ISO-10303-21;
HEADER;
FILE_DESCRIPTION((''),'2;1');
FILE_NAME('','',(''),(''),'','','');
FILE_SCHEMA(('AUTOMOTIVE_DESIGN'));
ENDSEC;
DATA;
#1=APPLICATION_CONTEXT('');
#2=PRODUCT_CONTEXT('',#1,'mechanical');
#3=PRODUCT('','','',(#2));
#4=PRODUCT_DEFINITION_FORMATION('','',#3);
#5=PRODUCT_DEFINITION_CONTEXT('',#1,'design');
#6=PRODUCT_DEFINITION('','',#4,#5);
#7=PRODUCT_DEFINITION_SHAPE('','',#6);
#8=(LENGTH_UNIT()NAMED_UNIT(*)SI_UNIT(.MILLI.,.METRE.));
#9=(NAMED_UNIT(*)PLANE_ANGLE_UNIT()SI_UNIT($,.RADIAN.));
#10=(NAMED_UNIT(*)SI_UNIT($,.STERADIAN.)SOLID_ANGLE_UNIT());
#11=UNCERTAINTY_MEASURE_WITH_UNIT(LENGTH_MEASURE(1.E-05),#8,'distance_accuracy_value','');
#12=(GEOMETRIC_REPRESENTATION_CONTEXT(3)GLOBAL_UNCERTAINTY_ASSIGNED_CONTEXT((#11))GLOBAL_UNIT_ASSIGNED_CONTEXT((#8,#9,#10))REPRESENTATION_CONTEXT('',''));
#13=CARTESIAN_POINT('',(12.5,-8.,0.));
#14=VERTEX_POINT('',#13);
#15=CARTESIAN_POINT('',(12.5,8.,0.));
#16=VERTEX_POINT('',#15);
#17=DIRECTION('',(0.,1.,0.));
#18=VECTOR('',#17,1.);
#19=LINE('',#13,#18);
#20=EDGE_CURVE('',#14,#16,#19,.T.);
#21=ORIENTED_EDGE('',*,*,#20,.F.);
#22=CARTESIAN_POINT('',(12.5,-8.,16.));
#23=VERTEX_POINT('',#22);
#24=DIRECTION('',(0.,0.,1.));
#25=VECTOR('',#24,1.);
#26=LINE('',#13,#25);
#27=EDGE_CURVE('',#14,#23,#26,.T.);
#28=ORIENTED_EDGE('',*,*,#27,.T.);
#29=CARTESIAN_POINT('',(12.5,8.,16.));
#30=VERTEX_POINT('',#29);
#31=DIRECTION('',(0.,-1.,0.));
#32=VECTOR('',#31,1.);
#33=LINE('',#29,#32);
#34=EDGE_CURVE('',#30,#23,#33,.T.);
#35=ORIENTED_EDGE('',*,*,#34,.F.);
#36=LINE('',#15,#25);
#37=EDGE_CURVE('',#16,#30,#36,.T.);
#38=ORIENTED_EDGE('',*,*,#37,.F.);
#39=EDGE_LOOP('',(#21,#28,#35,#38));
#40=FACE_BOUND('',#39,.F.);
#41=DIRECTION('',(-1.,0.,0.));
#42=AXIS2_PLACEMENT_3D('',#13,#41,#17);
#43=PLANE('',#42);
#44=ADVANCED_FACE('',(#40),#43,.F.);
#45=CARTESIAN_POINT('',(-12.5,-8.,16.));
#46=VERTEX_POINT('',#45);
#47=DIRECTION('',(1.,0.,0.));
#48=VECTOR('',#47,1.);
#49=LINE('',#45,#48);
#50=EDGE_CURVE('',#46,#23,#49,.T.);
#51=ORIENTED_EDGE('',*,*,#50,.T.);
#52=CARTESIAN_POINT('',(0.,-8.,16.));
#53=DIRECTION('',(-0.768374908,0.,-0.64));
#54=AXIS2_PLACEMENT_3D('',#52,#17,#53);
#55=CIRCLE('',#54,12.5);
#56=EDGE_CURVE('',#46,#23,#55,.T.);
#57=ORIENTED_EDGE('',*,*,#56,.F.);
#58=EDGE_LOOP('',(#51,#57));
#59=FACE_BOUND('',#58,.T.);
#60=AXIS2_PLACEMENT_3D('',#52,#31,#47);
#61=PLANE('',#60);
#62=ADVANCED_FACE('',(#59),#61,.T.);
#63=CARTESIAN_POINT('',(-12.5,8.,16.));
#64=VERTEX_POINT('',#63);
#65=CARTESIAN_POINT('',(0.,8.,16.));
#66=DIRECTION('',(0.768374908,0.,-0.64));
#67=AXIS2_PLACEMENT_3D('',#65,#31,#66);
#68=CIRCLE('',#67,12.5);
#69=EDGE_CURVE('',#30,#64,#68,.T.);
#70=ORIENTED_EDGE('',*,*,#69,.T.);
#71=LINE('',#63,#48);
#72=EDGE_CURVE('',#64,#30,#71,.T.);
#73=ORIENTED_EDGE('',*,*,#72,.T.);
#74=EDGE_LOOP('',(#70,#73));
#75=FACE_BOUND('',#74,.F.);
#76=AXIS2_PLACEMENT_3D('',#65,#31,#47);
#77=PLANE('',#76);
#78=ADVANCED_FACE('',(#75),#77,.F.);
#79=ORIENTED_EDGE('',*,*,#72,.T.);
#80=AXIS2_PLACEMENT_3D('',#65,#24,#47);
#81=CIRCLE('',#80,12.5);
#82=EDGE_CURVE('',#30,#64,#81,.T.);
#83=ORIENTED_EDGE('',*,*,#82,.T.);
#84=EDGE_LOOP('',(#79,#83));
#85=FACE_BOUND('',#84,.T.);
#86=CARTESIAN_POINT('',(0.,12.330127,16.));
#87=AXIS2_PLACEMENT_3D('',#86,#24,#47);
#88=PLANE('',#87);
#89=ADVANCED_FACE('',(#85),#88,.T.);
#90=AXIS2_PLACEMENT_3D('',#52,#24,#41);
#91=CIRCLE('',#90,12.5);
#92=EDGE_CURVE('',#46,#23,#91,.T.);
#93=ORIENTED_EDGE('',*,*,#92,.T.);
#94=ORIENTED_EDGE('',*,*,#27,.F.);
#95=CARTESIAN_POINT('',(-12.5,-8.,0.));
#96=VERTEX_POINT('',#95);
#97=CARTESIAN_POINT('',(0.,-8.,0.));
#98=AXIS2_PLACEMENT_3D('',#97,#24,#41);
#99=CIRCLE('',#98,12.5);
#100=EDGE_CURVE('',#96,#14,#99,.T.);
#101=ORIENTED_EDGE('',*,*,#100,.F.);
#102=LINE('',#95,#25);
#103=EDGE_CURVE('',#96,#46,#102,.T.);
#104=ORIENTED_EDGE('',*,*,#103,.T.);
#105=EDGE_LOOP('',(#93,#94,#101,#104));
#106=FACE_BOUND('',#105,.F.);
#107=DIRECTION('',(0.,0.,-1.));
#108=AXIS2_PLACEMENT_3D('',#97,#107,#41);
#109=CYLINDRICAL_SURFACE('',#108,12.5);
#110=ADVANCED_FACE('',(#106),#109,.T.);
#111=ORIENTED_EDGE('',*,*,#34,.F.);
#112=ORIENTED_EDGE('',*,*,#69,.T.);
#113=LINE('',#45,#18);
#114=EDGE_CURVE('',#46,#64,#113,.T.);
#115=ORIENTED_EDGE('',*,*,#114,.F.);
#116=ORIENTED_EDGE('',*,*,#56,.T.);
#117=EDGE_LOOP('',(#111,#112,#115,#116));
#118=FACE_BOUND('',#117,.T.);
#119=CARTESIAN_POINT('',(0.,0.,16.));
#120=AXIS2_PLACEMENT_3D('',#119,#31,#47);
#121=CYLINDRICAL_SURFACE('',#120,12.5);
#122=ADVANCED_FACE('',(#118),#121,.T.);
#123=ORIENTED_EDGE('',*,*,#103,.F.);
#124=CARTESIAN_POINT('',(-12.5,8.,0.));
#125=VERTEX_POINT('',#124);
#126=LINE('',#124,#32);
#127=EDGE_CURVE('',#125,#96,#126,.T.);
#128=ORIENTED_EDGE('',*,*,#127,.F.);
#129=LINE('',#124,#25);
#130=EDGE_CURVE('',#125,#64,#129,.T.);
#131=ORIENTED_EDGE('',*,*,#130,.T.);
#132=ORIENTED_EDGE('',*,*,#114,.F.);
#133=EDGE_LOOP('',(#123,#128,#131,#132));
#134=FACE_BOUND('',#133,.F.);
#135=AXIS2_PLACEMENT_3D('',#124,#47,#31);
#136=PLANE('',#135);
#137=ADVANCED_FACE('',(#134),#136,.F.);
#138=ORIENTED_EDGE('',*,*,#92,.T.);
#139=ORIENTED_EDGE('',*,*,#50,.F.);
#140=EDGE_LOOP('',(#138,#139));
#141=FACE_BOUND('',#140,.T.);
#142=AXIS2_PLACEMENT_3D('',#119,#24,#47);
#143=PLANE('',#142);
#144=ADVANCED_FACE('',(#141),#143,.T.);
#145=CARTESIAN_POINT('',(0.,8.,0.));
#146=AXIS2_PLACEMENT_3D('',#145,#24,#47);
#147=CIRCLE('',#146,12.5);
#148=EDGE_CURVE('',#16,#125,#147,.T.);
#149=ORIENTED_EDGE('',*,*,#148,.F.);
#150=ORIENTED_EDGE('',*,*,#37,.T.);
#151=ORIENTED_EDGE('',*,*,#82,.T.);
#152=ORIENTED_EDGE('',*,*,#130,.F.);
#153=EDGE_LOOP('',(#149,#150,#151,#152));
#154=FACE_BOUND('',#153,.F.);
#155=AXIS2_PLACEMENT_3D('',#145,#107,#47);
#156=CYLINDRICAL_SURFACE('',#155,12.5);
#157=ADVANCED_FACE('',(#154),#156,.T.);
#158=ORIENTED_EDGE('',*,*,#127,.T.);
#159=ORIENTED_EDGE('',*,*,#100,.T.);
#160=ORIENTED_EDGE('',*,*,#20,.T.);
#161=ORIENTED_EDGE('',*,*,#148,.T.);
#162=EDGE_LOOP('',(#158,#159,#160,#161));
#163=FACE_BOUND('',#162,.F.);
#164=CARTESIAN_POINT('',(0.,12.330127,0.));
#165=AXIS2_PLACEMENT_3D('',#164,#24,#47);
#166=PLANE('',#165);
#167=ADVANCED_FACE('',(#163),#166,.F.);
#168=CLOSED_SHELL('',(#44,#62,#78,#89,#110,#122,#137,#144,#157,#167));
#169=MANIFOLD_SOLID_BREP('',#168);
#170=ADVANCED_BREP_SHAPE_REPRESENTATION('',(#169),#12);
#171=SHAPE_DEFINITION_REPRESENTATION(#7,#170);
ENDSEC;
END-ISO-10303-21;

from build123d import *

# Parameters (mm, degrees)
F0_R          = 12.5
F1_DEPTH      = 16
F2_R          = 12.5
F3_DEPTH      = 8
F3_DEPTH_BACK = 8
F5_DEPTH      = 16


with BuildPart() as f1:
    # F0 (on Top) → F1 (new body)
    with BuildSketch(Plane.XY):
        Circle(F0_R)
    extrude(amount=F1_DEPTH)

    # F2 (on Front) → F3 (join, two sides)
    with BuildSketch(Plane.XZ) as f3_sk:
        with Locations((0, 16)):
            Circle(F2_R)
    extrude(amount=F3_DEPTH)
    extrude(f3_sk.sketch, amount=-F3_DEPTH_BACK)

    # F4 (on Top) → F5 (join)
    with BuildSketch(Plane.XY):
        with BuildLine():
            Line((-12.5, 8), (12.5, 8))
            ThreePointArc((12.5, 8), (0, 20.5), (-12.5, 8))
        make_face()
        with BuildLine():
            Line((12.5, -8), (12.5, 8))
            ThreePointArc((12.5, 8), (11.7539052968, 3.7460947032), (9.6046863561, 0))
            ThreePointArc((9.6046863561, 0), (11.7539052968, -3.7460947032), (12.5, -8))
        make_face()
        with BuildLine():
            ThreePointArc((9.6046863561, 0), (11.7539052968, 3.7460947032), (12.5, 8))
            Line((12.5, 8), (-12.5, 8))
            ThreePointArc((-12.5, 8), (-11.7539052968, 3.7460947032), (-9.6046863561, 0))
            ThreePointArc((-9.6046863561, 0), (0, 4.5), (9.6046863561, 0))
        make_face()
        with BuildLine():
            ThreePointArc((-9.6046863561, 0), (-11.7539052968, 3.7460947032), (-12.5, 8))
            Line((-12.5, 8), (-12.5, -8))
            ThreePointArc((-12.5, -8), (-11.7539052968, -3.7460947032), (-9.6046863561, 0))
        make_face()
        with BuildLine():
            ThreePointArc((12.5, -8), (11.7539052968, -3.7460947032), (9.6046863561, 0))
            ThreePointArc((9.6046863561, 0), (0, -4.5), (-9.6046863561, 0))
            ThreePointArc((-9.6046863561, 0), (-11.7539052968, -3.7460947032), (-12.5, -8))
            Line((-12.5, -8), (12.5, -8))
        make_face()
        with BuildLine():
            ThreePointArc((-12.5, -8), (0, -20.5), (12.5, -8))
            Line((12.5, -8), (-12.5, -8))
        make_face()
    extrude(amount=F5_DEPTH)


solid = f1.part
